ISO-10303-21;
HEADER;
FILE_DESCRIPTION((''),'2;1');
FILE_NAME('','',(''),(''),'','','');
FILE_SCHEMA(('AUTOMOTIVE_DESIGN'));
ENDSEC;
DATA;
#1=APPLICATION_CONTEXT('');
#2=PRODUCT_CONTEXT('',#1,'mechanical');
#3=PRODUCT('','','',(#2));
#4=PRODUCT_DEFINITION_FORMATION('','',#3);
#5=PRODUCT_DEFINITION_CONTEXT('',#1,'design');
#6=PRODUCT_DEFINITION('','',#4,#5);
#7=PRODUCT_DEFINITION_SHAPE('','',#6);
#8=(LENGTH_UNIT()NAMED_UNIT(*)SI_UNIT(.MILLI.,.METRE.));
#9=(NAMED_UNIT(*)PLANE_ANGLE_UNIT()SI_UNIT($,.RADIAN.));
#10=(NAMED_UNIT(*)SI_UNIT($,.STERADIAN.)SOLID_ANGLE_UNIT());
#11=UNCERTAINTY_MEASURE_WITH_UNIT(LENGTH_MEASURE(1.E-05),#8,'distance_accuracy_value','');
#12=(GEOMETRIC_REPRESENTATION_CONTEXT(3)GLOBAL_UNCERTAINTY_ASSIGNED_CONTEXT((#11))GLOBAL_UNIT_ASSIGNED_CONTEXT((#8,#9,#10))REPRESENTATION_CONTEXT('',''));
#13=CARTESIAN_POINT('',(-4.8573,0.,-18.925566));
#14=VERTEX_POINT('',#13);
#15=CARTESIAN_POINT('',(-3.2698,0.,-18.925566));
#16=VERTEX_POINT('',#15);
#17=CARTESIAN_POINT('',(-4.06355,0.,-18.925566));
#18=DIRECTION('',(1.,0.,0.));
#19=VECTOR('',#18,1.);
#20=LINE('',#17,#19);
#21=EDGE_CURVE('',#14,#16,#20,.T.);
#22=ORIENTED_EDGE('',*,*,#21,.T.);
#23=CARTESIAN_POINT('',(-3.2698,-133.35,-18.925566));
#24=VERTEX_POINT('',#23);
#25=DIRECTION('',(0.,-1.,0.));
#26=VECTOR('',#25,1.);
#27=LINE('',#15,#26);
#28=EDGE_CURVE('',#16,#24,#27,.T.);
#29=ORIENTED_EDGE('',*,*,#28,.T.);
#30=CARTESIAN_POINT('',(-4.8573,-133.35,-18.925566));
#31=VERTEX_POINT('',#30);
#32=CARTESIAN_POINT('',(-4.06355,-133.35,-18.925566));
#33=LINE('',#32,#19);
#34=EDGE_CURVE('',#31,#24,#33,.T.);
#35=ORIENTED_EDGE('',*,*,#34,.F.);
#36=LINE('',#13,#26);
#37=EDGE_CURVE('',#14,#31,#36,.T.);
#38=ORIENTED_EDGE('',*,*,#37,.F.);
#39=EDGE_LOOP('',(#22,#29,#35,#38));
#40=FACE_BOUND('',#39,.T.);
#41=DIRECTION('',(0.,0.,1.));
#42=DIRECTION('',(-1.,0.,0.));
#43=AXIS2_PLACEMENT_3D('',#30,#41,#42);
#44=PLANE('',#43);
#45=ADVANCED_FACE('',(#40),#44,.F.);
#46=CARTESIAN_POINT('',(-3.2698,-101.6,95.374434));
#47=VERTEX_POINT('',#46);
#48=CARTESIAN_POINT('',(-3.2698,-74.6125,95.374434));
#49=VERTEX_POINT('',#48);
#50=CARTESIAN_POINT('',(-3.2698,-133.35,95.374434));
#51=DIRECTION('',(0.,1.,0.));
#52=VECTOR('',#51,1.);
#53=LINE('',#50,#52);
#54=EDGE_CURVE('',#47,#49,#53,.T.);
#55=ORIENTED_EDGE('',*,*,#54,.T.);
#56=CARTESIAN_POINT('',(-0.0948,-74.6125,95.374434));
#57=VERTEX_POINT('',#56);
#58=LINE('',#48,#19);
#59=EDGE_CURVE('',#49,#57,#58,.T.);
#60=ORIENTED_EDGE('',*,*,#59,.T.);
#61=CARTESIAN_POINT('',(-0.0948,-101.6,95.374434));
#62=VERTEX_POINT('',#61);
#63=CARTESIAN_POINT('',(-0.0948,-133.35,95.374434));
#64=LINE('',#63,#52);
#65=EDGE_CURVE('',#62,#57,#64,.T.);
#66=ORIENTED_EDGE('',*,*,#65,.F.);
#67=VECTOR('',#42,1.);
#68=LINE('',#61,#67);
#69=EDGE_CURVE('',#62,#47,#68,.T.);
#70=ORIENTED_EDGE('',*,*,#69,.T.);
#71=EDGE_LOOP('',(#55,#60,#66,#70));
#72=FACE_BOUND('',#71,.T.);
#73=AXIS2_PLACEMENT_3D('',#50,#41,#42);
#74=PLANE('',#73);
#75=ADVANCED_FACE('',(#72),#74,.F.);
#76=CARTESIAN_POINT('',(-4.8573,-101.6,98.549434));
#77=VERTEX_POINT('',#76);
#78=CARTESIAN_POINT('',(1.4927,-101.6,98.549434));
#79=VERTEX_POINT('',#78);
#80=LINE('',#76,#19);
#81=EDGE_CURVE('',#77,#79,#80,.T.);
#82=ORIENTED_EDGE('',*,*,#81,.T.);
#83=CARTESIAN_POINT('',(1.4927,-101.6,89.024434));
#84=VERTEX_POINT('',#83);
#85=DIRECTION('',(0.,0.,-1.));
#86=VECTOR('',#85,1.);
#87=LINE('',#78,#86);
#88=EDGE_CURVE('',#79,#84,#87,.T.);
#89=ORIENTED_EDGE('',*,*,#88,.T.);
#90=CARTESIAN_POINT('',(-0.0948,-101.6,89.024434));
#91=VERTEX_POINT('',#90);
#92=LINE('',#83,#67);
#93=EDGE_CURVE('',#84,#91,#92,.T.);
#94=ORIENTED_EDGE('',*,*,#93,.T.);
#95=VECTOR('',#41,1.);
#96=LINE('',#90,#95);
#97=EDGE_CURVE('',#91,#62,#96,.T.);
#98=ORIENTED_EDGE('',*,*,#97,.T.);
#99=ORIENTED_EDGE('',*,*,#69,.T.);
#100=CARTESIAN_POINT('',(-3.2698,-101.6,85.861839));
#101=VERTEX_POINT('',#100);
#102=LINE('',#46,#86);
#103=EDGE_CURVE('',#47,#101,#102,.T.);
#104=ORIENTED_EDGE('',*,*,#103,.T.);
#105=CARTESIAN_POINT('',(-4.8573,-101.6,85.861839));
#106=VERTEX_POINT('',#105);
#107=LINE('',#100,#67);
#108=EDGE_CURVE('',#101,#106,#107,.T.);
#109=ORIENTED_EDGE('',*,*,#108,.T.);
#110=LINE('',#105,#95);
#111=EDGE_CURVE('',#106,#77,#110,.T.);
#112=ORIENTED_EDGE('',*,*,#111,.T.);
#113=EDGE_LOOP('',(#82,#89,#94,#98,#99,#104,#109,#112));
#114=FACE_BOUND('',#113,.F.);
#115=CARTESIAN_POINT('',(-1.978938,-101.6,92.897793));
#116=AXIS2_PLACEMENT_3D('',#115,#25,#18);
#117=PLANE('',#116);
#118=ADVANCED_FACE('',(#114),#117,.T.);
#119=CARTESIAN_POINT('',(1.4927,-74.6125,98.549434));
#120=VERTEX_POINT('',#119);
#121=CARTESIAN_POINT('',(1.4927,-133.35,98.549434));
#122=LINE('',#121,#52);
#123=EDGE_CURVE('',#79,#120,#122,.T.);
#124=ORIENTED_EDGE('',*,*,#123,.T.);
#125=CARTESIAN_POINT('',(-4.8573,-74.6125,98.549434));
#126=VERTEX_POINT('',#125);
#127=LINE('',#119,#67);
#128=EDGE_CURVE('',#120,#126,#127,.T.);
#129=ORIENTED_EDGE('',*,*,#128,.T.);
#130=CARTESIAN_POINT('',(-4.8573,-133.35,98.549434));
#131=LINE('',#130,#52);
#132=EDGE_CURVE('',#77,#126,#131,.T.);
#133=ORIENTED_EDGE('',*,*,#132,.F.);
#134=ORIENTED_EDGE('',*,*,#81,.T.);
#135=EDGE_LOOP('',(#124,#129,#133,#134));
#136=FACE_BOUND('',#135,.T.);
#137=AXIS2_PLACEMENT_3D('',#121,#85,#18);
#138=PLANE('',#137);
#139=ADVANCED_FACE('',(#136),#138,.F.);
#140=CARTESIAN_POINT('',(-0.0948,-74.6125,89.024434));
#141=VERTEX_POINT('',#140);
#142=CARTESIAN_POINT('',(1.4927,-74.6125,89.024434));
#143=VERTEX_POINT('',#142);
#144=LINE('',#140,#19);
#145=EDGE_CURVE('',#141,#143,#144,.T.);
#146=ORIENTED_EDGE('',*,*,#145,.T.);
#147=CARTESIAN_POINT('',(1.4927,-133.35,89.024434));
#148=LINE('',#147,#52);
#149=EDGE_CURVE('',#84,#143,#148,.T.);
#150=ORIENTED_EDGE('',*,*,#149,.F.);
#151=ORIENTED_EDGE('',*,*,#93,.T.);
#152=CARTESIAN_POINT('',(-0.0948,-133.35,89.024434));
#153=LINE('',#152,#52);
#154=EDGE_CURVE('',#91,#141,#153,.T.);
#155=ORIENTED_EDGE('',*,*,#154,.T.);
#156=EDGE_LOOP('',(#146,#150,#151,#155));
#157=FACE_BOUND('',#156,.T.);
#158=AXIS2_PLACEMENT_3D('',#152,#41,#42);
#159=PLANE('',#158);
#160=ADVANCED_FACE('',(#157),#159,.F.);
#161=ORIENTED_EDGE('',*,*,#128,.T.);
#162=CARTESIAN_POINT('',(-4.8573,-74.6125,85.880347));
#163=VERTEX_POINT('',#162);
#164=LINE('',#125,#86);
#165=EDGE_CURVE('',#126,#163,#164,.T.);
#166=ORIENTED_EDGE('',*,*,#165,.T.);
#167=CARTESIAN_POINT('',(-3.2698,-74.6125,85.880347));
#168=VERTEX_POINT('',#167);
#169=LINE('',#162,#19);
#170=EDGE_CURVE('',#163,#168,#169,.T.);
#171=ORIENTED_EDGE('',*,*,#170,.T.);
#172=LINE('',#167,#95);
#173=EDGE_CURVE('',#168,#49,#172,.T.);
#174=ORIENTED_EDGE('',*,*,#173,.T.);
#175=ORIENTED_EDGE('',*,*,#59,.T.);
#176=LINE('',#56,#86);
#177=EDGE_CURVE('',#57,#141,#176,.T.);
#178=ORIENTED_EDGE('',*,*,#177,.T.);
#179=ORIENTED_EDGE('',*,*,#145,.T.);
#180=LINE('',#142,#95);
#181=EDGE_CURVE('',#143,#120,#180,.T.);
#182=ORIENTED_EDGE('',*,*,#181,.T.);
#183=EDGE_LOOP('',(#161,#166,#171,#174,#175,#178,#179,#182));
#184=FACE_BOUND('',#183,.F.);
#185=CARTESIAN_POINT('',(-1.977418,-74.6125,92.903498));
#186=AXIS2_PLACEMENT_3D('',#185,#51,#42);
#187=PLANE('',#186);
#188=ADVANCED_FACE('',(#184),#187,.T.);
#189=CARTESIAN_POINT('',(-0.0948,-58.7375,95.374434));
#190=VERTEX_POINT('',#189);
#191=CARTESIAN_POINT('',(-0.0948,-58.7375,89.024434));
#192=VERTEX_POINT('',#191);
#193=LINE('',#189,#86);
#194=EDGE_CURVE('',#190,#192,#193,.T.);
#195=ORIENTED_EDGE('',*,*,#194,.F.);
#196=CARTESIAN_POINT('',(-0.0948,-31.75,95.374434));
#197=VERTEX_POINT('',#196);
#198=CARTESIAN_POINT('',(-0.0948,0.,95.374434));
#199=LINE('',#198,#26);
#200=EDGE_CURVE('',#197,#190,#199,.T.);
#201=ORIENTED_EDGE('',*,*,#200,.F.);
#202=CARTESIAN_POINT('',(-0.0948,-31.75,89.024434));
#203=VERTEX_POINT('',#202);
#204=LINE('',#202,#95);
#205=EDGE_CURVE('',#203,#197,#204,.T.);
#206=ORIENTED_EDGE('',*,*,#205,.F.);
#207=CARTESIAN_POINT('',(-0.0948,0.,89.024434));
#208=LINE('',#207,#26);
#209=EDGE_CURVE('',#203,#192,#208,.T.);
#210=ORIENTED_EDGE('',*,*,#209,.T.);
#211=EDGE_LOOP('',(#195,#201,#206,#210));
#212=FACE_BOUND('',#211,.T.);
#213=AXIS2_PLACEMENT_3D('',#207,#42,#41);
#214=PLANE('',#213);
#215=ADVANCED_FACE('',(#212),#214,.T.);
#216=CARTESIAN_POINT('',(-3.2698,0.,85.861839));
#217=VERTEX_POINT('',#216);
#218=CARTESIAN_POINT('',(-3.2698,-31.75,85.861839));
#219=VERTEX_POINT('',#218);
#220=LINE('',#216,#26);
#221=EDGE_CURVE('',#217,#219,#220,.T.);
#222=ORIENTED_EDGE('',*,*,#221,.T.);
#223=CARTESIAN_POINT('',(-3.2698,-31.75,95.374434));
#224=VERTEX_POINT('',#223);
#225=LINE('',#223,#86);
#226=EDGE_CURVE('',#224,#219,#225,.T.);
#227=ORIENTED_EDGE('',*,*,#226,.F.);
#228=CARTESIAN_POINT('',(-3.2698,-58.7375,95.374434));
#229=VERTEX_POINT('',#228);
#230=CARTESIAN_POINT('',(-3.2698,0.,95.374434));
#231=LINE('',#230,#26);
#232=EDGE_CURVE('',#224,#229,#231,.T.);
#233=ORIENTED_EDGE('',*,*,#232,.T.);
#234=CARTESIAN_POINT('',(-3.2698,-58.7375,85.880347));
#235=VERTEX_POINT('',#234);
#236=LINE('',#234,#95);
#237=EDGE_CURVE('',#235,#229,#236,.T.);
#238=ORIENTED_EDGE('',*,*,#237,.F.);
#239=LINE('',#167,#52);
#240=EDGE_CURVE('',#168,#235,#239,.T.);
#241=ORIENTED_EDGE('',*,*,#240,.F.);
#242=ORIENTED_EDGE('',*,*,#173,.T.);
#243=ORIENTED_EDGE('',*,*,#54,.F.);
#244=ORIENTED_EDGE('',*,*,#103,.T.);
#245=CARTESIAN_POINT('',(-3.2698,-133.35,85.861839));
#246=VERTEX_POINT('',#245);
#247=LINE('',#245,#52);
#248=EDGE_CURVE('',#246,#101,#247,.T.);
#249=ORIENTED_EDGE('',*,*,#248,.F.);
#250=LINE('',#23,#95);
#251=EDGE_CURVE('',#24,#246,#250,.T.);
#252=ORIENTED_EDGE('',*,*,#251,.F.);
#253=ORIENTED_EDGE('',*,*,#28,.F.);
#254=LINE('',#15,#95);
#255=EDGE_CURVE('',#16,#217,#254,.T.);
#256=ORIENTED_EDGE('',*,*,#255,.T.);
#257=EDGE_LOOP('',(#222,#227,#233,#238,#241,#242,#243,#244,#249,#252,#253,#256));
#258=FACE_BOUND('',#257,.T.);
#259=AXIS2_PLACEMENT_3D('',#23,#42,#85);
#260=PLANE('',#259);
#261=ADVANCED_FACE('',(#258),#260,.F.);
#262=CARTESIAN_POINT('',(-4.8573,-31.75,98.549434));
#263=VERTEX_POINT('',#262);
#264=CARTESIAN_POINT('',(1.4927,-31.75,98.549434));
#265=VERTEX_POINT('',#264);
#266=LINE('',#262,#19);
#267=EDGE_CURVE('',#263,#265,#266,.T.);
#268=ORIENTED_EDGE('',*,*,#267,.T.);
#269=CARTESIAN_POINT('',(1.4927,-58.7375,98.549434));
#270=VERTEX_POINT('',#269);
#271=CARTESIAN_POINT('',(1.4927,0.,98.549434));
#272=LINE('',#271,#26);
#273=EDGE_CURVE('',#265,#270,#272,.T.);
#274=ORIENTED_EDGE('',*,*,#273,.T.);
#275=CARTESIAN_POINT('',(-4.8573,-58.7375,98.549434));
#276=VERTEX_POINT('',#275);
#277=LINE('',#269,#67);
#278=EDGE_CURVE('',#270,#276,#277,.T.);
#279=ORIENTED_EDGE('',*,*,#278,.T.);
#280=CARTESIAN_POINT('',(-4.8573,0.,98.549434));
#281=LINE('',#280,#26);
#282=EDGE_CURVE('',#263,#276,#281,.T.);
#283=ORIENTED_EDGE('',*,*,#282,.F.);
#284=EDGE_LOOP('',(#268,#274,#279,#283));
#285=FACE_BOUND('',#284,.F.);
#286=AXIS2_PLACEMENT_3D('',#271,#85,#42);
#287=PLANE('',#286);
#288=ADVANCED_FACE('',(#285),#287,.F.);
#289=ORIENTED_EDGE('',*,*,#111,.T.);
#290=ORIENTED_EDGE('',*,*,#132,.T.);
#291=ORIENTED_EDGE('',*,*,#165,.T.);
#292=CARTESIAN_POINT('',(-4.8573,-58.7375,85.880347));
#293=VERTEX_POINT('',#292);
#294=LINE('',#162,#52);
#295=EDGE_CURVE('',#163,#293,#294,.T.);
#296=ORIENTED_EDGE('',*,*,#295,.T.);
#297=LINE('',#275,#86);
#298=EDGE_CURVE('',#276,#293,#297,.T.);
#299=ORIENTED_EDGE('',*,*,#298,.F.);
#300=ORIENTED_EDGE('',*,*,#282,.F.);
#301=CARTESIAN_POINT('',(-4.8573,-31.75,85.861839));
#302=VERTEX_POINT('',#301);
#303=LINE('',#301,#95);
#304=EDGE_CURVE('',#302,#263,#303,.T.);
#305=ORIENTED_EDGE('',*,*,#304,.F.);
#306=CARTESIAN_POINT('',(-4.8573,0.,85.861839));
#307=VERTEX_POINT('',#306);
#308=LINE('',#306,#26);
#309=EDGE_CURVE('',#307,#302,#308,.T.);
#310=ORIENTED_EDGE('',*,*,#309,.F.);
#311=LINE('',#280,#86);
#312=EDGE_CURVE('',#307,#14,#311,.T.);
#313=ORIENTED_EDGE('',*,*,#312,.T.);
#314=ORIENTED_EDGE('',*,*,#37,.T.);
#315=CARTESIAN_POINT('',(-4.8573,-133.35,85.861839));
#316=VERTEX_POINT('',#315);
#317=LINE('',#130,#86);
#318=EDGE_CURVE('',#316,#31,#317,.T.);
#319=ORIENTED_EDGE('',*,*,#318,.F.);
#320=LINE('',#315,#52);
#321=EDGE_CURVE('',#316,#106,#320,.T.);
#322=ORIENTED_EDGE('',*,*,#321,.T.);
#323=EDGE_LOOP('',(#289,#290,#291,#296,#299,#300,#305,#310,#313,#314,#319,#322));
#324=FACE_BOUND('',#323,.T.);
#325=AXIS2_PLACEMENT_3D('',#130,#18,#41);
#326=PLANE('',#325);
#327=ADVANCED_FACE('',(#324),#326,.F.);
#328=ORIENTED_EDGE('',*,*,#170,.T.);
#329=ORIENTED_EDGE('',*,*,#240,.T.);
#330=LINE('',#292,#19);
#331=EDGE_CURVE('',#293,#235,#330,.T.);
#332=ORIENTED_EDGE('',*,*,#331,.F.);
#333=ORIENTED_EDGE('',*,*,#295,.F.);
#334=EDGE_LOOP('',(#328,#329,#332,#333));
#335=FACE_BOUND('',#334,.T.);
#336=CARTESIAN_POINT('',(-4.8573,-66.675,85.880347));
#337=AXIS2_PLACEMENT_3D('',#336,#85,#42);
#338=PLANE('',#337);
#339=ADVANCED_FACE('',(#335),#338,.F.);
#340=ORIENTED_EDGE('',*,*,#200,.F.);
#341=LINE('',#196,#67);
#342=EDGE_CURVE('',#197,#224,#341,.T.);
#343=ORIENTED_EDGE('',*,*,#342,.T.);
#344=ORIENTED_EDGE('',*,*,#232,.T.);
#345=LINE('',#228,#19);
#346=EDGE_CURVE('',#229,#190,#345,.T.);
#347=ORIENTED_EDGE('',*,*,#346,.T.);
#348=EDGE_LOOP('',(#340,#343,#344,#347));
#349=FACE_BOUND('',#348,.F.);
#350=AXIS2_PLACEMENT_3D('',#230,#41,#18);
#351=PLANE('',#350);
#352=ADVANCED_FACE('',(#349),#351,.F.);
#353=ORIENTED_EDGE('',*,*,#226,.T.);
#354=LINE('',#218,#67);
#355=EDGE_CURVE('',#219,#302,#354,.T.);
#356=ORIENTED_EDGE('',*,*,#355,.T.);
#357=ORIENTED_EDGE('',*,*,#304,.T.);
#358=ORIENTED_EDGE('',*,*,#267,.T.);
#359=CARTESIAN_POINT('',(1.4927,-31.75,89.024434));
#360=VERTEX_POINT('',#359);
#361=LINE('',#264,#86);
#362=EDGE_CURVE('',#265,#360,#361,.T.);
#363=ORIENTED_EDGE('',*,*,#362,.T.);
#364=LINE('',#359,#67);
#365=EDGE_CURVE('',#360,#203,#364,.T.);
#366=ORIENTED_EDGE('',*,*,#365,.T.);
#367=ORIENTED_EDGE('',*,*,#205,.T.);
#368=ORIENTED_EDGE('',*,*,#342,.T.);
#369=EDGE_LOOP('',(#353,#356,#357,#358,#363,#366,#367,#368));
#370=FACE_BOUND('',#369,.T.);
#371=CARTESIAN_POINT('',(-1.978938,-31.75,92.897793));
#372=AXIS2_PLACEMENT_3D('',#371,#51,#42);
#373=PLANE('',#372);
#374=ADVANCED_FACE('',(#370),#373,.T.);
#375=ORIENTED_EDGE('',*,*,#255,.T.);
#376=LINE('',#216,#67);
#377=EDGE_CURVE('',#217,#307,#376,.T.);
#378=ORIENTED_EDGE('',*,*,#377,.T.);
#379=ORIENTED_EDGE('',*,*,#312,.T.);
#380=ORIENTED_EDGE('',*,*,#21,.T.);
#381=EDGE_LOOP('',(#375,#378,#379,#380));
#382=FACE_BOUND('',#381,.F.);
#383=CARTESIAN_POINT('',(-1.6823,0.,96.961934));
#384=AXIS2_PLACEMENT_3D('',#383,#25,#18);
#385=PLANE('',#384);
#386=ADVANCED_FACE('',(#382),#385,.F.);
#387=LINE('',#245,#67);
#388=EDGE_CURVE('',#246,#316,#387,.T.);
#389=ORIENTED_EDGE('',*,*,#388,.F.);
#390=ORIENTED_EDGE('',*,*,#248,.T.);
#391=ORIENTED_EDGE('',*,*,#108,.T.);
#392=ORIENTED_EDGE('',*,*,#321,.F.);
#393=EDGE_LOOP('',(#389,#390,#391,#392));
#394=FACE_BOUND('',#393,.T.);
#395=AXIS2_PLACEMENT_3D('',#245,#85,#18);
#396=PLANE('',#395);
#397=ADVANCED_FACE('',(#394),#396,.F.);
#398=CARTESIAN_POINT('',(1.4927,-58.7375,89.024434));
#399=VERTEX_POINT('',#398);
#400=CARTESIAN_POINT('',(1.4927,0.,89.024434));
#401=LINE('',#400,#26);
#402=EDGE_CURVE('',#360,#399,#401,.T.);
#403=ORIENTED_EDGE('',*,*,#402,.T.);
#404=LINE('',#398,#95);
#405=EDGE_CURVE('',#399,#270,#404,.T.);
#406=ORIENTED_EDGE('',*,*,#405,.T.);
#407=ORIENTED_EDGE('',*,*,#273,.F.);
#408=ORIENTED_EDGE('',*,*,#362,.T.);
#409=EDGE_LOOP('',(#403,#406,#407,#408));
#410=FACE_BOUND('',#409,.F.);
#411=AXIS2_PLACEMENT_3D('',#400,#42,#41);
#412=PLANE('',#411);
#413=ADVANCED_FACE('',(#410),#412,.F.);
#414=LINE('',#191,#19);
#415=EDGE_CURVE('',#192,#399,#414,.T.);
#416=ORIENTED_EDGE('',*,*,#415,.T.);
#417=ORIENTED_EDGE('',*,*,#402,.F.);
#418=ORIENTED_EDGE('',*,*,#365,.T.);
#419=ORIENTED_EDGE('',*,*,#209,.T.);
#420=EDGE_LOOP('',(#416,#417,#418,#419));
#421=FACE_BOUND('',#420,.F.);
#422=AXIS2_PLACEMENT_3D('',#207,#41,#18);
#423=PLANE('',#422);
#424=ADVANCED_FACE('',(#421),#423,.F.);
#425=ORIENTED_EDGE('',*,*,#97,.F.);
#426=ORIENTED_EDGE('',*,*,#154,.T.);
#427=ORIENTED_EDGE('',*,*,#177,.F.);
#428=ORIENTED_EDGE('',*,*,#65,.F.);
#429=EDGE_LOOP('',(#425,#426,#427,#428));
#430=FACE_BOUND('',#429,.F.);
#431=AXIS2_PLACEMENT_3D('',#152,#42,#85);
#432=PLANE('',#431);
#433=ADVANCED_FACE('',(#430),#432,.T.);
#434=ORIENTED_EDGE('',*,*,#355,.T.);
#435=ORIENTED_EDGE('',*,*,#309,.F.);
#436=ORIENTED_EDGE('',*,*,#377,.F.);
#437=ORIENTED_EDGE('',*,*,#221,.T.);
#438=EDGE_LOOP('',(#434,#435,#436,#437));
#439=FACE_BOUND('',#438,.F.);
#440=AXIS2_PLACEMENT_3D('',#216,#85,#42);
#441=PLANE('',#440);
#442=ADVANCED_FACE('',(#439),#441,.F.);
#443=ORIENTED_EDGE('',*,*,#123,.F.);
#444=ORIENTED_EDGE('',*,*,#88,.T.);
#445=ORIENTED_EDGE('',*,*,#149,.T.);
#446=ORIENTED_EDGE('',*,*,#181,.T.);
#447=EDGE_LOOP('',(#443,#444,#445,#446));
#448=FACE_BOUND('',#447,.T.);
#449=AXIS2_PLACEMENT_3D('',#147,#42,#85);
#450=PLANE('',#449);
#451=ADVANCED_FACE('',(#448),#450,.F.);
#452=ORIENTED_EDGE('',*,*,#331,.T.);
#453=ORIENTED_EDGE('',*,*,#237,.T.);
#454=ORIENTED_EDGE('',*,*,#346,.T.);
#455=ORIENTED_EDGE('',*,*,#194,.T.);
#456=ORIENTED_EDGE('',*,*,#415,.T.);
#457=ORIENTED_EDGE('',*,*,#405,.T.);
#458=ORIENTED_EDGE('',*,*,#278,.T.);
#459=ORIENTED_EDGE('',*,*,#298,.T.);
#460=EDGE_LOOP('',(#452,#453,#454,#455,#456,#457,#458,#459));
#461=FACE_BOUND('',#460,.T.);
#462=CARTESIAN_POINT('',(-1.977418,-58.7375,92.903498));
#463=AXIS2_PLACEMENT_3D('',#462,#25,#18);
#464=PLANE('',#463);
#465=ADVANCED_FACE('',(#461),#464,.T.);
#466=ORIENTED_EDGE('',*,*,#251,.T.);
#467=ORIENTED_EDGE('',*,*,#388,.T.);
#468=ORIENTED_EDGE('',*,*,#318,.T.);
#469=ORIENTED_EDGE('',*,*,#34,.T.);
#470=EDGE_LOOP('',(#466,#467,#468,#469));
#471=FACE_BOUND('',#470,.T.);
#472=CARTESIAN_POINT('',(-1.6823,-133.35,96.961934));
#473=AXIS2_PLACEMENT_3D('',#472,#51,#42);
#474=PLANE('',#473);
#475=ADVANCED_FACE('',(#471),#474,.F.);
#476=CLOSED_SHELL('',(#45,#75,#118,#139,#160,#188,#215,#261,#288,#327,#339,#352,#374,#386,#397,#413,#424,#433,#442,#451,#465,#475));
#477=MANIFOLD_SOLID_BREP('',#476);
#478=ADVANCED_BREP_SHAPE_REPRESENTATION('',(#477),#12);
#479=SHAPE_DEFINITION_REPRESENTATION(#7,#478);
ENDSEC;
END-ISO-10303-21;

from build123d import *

# Parameters (mm, degrees)
F0_W     = 1.5875
F0_H     = 12.7
F0_H_2   = 6.35
F0_H_3   = 101.6
F1_DEPTH = 66.675
F3_DEPTH = 7.9375
F5_DEPTH = 31.75


with BuildPart() as f1:
    # F0 (on Front) → F1 (new body)
    with BuildSketch(Plane.XZ):
        Polygon((-4.8573001859, 98.5494344607), (-4.8573001859, 95.3744344607), (-3.2698001859, 95.3744344607), (-0.0948001859, 95.3744344607), (1.4926998141, 95.3744344607), (1.4926998141, 98.5494344607), align=None)
        with Locations((-4.0635501859, 89.0244344607)):
            Rectangle(F0_W, F0_H)
        with Locations((0.6989498141, 92.1994344607)):
            Rectangle(F0_W, F0_H_2)
        with Locations((-4.0635501859, 31.8744344607)):
            Rectangle(F0_W, F0_H_3)
    extrude(amount=F1_DEPTH)

    # F2 (on face) → F3 (cut)
    with BuildSketch(Plane.XZ.offset(66.675)):
        Polygon((-4.8573001859, 98.5494344607), (-4.8573001859, 85.8803465962), (-3.2698001859, 85.8803465962), (-3.2698001859, 95.3744344607), (-0.0948001859, 95.3744344607), (-0.0948001859, 89.0244344607), (1.4926998141, 89.0244344607), (1.4926998141, 98.5494344607), align=None)
    extrude(amount=-F3_DEPTH, mode=Mode.SUBTRACT)

    # F4 (on face) → F5 (cut)
    with BuildSketch(Plane(origin=(0, 0, 0), x_dir=(-1, 0, 0), z_dir=(0, 1, 0))):
        Polygon((3.2698001859, 85.861839354), (4.8573001859, 85.861839354), (4.8573001859, 98.5494344607), (-1.4926998141, 98.5494344607), (-1.4926998141, 89.0244344607), (0.0948001859, 89.0244344607), (0.0948001859, 95.3744344607), (3.2698001859, 95.3744344607), align=None)
    extrude(amount=-F5_DEPTH, mode=Mode.SUBTRACT)

    # F6: F1 across face


with BuildPart() as f1_1:
    add(f1.part)
    add(f1.part.mirror(Plane(origin=(-4.0635501859, -66.675, 33.4773905285), x_dir=(1, 0, 0), z_dir=(0, -1, 0))))


solid = f1_1.part
